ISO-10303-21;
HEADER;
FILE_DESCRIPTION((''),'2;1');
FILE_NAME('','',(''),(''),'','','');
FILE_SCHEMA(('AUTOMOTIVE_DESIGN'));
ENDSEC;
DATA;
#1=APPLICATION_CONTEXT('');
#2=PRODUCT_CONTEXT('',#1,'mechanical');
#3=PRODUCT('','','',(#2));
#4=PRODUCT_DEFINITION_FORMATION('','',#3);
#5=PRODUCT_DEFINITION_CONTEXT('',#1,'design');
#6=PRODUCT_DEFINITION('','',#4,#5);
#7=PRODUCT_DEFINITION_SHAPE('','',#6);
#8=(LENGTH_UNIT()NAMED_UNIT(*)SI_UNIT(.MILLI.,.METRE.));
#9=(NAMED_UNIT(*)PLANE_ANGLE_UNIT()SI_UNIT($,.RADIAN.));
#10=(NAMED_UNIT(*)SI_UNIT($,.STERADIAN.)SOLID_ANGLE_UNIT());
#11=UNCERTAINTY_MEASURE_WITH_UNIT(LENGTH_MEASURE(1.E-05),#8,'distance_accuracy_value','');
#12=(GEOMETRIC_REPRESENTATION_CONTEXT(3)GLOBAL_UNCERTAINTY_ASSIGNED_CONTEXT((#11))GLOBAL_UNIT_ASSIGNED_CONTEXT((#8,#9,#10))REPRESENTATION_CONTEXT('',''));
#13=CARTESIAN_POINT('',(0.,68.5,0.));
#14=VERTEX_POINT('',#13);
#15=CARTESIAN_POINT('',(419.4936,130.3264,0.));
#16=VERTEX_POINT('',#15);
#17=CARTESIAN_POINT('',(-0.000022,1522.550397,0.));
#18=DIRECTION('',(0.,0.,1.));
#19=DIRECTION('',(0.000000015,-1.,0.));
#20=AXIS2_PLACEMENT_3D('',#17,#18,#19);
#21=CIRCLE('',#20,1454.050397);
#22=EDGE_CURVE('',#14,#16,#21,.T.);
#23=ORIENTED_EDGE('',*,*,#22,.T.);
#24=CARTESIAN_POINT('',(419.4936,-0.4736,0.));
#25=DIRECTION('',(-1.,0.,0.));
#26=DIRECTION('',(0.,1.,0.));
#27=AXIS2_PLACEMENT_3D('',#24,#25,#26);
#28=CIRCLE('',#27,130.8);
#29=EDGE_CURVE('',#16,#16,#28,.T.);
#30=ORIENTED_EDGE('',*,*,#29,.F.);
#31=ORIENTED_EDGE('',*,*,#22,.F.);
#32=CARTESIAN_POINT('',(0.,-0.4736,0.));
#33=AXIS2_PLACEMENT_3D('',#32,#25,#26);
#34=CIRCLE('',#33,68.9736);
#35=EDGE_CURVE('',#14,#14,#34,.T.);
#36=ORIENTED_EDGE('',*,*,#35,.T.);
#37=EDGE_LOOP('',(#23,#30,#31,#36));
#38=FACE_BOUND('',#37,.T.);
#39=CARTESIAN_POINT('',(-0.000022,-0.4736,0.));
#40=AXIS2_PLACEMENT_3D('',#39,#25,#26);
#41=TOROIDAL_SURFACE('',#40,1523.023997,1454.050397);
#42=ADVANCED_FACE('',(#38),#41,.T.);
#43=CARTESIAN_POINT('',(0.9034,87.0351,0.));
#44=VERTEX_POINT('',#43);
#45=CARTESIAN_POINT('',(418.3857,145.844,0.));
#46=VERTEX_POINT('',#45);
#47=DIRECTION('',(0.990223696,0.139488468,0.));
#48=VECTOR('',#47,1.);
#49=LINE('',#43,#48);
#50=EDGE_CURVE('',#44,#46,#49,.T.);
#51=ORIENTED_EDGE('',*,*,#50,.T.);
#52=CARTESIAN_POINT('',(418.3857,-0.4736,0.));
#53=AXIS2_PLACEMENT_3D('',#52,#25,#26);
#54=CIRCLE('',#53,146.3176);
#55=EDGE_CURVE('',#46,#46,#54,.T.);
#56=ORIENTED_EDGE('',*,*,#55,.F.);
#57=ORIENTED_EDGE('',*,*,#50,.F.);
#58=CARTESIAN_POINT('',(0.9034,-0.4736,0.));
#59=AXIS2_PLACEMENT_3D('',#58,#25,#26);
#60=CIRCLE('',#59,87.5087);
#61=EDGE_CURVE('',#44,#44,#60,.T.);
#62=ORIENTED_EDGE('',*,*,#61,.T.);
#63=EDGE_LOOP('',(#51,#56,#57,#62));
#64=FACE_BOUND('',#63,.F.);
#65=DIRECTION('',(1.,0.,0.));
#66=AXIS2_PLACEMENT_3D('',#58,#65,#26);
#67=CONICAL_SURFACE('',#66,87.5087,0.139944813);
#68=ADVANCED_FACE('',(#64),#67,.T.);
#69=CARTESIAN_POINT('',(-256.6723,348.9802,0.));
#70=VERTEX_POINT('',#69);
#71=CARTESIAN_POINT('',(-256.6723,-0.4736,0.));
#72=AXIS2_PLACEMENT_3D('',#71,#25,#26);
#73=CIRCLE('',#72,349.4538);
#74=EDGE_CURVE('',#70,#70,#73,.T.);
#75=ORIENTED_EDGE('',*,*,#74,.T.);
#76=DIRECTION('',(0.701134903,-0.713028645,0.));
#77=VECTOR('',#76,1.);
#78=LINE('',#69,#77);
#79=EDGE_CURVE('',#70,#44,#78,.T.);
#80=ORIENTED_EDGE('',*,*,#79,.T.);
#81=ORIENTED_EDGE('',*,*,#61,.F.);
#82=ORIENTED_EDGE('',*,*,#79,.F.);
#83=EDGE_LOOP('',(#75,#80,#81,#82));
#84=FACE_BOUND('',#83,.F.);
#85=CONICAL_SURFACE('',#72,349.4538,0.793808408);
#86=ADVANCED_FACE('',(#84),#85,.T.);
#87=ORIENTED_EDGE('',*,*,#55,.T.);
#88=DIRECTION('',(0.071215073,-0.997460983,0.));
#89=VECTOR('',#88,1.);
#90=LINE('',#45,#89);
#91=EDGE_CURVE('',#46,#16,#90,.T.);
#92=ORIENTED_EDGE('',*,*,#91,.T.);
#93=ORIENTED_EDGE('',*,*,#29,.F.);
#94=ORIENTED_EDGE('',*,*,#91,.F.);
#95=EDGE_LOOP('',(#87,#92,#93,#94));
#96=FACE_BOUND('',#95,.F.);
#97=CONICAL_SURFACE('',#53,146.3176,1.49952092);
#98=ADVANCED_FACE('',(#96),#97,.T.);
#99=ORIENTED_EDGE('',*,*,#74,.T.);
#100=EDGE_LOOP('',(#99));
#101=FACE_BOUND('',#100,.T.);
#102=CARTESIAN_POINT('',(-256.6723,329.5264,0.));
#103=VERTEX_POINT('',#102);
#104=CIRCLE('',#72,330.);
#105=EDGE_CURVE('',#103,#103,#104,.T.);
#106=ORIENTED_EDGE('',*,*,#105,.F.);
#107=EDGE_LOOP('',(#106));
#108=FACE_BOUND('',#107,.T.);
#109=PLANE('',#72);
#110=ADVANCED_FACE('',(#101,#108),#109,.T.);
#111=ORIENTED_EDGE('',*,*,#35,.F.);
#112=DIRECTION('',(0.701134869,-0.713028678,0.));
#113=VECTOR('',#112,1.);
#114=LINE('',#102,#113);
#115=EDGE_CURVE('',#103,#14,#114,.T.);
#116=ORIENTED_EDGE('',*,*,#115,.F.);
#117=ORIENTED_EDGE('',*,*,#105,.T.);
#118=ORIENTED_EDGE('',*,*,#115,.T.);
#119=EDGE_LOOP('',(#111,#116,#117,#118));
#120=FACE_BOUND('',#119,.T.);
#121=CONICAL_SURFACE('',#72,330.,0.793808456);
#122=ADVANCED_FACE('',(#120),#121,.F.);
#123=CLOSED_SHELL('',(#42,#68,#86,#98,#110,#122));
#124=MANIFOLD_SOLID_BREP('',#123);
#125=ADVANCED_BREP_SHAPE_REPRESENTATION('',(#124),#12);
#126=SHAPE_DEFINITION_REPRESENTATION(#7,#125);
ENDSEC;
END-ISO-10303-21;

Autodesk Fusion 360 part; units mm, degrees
sketch "Sketch1" plane through (0, 0, 0) normal (0, 0, 1) x (1, 0, 0)
  line L0 (-256.6723, -0.4736) -> (-256.6723, 329.5264)
  line L1 (-256.6723, 329.5264) -> (0, 68.5)
  line L2 (419.4936, -0.4736) -> (419.4936, 130.3264)
  arc A0 (0, 68.5) -> (419.4936, 130.3264) centre (0, 1522.5504) ccw
  line L3 (419.4936, -0.4736) -> (-256.6723, -0.4736)
  line L4 (-256.6723, 348.9802) -> (0.9034, 87.0351)
  line L5 (0.9034, 87.0351) -> (418.3857, 145.844)
  line L6 (418.3857, 145.844) -> (419.4936, 130.3264)
  line L7 (-256.6723, 348.9802) -> (-256.6723, 329.5264)
  dimension "d1" = 68.5
  dimension "d3" = 330
  dimension "d5" = 130.8
revolve "Revolve1" add sketch "Sketch1" angle 360 about axis through (419.4936, -0.4736, 0) along (-1, 0, 0) contours L1 A0 L4 L5 L6 L7
